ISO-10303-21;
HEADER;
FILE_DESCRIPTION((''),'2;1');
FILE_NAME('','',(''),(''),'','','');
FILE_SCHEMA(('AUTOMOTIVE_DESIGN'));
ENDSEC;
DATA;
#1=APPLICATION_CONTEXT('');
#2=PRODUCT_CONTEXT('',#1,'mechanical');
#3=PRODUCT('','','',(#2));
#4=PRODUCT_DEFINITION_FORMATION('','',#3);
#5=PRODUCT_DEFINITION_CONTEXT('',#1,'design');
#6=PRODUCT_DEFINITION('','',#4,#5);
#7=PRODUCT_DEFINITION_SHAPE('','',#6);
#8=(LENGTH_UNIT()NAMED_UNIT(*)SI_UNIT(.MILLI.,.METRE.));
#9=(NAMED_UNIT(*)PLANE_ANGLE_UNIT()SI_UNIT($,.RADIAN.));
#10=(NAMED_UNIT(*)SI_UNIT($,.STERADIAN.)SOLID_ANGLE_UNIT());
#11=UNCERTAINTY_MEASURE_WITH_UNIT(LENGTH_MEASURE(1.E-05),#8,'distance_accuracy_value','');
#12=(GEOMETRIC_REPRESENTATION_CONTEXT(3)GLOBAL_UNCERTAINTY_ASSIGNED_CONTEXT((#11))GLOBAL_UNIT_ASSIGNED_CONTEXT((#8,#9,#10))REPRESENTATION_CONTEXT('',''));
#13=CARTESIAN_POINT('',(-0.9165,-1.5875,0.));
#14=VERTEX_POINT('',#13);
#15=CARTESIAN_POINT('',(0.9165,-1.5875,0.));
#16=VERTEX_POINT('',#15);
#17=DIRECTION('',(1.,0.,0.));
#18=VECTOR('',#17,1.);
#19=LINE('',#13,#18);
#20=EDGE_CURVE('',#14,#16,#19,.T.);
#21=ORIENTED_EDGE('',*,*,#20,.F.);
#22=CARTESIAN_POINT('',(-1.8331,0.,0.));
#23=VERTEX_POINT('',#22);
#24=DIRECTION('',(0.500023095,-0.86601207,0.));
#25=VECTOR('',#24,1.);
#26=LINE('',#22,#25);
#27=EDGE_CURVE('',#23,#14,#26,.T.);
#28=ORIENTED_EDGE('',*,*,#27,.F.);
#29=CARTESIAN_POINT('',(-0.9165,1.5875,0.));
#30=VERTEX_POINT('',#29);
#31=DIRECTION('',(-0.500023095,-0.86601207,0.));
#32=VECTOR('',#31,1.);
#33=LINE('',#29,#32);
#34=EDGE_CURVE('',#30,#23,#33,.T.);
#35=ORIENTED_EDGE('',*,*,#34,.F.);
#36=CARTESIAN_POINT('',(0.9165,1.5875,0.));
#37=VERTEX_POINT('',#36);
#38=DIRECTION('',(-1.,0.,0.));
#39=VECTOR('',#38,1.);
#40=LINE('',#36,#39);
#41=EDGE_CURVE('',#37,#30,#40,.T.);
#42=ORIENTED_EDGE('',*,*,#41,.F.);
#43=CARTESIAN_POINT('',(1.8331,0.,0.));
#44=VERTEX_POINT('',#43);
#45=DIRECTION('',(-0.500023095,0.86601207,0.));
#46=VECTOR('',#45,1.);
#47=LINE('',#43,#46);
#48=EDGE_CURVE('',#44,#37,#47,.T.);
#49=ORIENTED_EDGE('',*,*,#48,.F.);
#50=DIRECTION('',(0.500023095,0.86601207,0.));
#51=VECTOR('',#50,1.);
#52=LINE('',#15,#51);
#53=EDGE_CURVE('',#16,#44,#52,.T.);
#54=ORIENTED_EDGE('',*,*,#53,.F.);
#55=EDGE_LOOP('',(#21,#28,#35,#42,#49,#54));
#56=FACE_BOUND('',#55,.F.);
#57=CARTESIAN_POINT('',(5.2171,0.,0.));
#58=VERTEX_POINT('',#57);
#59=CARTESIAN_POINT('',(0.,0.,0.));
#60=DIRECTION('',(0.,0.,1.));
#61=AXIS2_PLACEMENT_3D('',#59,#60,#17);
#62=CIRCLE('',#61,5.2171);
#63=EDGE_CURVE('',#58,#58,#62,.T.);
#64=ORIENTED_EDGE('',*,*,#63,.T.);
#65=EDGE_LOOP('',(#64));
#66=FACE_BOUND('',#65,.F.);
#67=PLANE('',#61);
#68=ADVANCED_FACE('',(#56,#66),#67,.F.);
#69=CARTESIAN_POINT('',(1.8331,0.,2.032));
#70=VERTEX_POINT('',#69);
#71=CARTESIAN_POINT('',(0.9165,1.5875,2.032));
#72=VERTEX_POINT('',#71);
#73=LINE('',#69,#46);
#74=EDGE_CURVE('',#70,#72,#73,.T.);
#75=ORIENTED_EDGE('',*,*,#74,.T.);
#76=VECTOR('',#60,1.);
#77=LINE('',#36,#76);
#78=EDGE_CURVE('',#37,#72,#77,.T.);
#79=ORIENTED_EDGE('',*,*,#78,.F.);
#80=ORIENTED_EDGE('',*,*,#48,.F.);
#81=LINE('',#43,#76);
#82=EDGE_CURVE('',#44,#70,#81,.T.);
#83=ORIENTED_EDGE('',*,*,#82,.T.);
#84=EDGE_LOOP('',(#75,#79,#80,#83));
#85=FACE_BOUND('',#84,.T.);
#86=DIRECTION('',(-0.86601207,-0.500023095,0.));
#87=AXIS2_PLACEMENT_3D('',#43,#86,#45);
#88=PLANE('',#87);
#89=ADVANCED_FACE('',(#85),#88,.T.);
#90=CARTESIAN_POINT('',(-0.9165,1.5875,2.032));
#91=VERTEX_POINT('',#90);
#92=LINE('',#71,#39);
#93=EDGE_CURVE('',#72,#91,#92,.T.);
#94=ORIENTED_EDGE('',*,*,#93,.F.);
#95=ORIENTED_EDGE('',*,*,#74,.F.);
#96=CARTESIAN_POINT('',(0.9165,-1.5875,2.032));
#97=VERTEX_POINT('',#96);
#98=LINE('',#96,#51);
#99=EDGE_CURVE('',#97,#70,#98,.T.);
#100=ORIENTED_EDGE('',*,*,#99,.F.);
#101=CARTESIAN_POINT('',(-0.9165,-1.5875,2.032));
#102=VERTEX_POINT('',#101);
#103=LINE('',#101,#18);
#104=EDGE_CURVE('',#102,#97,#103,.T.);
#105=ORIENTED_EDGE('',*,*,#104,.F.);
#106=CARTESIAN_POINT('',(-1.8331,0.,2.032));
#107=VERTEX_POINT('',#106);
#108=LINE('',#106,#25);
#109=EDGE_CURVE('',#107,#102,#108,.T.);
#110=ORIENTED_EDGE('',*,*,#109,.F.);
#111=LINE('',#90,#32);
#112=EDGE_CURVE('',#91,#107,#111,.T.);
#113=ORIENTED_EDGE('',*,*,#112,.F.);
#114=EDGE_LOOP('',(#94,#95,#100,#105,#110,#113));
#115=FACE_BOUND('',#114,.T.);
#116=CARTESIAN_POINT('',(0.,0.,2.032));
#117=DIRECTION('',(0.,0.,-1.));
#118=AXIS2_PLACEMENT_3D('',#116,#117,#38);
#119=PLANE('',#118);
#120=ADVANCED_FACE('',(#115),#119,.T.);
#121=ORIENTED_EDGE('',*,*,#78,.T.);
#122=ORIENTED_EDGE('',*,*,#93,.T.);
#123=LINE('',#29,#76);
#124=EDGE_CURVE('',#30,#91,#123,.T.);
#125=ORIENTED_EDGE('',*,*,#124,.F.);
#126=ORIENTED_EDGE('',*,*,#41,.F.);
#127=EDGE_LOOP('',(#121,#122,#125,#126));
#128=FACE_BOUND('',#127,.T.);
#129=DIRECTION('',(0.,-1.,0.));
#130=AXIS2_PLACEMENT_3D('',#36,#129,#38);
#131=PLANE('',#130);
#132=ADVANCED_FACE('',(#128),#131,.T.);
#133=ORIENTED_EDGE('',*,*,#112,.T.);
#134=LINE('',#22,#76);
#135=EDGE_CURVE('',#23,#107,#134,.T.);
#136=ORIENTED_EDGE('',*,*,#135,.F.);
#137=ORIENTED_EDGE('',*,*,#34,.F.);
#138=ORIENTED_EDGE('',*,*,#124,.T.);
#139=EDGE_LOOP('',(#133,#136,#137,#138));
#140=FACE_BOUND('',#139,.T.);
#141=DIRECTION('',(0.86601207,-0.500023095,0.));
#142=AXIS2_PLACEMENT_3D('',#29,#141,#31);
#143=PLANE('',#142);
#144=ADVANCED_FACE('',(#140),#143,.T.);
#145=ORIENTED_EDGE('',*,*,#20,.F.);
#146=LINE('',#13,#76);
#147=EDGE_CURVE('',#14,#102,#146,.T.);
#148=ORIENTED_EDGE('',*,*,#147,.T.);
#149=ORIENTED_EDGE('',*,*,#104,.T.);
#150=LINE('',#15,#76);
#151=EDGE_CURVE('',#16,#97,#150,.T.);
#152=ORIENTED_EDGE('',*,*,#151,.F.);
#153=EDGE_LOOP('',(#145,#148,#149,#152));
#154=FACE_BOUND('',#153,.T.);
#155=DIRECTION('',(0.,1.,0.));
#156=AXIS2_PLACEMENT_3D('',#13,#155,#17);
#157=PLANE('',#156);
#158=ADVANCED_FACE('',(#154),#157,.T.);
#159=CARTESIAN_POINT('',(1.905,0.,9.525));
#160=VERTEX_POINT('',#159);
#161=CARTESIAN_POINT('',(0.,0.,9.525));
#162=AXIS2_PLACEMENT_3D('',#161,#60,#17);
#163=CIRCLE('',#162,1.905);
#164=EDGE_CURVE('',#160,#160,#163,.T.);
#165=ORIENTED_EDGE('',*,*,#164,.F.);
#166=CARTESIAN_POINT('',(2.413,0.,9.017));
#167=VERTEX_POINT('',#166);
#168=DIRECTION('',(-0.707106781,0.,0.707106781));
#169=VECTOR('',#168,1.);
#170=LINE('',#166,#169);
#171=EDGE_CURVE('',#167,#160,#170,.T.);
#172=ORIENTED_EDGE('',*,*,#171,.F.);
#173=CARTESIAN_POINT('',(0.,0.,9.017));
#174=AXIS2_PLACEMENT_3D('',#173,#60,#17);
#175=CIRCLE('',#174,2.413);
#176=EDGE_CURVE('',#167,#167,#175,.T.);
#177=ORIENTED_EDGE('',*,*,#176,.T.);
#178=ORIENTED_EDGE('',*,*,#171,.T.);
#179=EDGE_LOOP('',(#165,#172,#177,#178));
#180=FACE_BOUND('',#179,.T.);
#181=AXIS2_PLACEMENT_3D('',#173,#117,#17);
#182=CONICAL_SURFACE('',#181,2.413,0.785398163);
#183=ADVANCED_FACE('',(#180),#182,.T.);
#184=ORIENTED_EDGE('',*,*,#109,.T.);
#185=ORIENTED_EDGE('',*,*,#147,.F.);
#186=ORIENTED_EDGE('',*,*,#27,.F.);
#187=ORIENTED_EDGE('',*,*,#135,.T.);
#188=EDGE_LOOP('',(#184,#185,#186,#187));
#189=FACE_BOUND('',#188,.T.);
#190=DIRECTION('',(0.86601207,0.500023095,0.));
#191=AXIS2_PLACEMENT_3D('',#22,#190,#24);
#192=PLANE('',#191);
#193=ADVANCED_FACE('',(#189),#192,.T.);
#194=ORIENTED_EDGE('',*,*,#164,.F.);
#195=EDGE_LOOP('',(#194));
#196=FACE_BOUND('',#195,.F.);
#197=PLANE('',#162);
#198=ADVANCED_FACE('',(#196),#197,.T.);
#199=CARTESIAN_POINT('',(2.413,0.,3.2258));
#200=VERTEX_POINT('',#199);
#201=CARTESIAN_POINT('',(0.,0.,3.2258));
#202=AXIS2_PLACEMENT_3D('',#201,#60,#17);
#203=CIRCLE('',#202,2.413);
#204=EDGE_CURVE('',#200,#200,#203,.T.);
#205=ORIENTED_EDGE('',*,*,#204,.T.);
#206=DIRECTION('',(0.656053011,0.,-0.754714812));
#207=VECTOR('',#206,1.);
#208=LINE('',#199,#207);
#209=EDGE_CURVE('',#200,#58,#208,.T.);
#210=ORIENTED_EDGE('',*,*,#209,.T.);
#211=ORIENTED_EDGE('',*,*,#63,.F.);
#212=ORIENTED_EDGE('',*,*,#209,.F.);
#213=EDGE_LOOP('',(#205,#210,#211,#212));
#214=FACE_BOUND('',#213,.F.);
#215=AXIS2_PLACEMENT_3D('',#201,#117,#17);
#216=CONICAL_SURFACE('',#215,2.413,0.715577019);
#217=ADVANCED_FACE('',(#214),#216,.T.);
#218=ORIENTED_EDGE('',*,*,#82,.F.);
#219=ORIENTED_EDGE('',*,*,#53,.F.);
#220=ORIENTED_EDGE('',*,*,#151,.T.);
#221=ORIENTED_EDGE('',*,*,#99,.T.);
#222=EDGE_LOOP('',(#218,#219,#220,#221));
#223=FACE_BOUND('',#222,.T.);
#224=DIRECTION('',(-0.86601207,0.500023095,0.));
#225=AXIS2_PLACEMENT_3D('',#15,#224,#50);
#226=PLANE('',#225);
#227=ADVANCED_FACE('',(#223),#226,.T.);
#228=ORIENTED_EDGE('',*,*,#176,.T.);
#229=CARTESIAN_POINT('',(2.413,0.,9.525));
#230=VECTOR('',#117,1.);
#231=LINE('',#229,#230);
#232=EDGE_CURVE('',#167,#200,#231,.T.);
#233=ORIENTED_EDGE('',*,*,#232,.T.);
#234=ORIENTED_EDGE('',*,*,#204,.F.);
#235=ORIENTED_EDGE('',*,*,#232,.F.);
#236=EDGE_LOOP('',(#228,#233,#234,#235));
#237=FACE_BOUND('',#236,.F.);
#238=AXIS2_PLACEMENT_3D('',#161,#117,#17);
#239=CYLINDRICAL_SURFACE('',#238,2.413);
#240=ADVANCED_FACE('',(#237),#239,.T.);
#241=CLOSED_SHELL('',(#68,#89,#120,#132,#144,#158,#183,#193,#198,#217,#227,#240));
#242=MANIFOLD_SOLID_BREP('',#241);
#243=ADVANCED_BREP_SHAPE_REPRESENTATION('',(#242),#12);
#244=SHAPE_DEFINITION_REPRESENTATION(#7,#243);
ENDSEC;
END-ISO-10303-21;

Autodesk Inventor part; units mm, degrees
ref_plane "YZ Plane" through (0, 0, 0) normal (1, 0, 0) x (0, 1, 0)
ref_plane "XZ Plane" through (0, 0, 0) normal (0, 1, 0) x (-1, 0, 0)
ref_plane "XY Plane" through (0, 0, 0) normal (0, 0, 1) x (1, 0, 0)
sketch "Sketch1" plane through (0, 0, 0) normal (0, 1, 0) x (-1, 0, 0)
  line L0 (0, 0) -> (0, 9.525)
  line L1 (0, 9.525) -> (-2.413, 9.525)
  line L2 (-2.413, 9.525) -> (-2.413, 3.2258)
  line L3 (-2.413, 3.2258) -> (-5.2171, 0)
  line L4 (-5.2171, 0) -> (0, 0)
  dimension "d0" = 4.826
  dimension "d2" = 9.525
  dimension "d3" = 41
  dimension "d4" = 3.2258
  dimension "d5" = 5.2172
revolve "Revolution1" add sketch "Sketch1" angle 360 about axis through (0, 0, 0) along (0, 0, 1)
thread "Thread1" size "10-32 UNF" class "2A" standard "ANSI Unified Screw Threads" full length
chamfer "Chamfer1" distance 0.508 angle 45 1 edges at (-2.413, 0, 9.525)
sketch "Sketch2" plane through (0, 0, 0) normal (0, 0, -1) x (-1, 0, 0)
  circle A0 centre (0, 0) radius 5.2171 projected
  line L0 (0.9165, -1.5875) -> (-0.9165, -1.5875)
  line L1 (-0.9165, -1.5875) -> (-1.8331, 0)
  line L2 (-1.8331, 0) -> (-0.9165, 1.5875)
  line L3 (-0.9165, 1.5875) -> (0.9165, 1.5875)
  line L4 (0.9165, 1.5875) -> (1.8331, 0)
  line L5 (1.8331, 0) -> (0.9165, -1.5875)
  dimension "d12" = 3.175
extrude "Extrusion1" cut sketch "Sketch2" against normal blind 2.032 contours L0 L1 L2 L3 L4 L5
properties part number "10-32 Flathead x375" material "Steel, Alloy"
